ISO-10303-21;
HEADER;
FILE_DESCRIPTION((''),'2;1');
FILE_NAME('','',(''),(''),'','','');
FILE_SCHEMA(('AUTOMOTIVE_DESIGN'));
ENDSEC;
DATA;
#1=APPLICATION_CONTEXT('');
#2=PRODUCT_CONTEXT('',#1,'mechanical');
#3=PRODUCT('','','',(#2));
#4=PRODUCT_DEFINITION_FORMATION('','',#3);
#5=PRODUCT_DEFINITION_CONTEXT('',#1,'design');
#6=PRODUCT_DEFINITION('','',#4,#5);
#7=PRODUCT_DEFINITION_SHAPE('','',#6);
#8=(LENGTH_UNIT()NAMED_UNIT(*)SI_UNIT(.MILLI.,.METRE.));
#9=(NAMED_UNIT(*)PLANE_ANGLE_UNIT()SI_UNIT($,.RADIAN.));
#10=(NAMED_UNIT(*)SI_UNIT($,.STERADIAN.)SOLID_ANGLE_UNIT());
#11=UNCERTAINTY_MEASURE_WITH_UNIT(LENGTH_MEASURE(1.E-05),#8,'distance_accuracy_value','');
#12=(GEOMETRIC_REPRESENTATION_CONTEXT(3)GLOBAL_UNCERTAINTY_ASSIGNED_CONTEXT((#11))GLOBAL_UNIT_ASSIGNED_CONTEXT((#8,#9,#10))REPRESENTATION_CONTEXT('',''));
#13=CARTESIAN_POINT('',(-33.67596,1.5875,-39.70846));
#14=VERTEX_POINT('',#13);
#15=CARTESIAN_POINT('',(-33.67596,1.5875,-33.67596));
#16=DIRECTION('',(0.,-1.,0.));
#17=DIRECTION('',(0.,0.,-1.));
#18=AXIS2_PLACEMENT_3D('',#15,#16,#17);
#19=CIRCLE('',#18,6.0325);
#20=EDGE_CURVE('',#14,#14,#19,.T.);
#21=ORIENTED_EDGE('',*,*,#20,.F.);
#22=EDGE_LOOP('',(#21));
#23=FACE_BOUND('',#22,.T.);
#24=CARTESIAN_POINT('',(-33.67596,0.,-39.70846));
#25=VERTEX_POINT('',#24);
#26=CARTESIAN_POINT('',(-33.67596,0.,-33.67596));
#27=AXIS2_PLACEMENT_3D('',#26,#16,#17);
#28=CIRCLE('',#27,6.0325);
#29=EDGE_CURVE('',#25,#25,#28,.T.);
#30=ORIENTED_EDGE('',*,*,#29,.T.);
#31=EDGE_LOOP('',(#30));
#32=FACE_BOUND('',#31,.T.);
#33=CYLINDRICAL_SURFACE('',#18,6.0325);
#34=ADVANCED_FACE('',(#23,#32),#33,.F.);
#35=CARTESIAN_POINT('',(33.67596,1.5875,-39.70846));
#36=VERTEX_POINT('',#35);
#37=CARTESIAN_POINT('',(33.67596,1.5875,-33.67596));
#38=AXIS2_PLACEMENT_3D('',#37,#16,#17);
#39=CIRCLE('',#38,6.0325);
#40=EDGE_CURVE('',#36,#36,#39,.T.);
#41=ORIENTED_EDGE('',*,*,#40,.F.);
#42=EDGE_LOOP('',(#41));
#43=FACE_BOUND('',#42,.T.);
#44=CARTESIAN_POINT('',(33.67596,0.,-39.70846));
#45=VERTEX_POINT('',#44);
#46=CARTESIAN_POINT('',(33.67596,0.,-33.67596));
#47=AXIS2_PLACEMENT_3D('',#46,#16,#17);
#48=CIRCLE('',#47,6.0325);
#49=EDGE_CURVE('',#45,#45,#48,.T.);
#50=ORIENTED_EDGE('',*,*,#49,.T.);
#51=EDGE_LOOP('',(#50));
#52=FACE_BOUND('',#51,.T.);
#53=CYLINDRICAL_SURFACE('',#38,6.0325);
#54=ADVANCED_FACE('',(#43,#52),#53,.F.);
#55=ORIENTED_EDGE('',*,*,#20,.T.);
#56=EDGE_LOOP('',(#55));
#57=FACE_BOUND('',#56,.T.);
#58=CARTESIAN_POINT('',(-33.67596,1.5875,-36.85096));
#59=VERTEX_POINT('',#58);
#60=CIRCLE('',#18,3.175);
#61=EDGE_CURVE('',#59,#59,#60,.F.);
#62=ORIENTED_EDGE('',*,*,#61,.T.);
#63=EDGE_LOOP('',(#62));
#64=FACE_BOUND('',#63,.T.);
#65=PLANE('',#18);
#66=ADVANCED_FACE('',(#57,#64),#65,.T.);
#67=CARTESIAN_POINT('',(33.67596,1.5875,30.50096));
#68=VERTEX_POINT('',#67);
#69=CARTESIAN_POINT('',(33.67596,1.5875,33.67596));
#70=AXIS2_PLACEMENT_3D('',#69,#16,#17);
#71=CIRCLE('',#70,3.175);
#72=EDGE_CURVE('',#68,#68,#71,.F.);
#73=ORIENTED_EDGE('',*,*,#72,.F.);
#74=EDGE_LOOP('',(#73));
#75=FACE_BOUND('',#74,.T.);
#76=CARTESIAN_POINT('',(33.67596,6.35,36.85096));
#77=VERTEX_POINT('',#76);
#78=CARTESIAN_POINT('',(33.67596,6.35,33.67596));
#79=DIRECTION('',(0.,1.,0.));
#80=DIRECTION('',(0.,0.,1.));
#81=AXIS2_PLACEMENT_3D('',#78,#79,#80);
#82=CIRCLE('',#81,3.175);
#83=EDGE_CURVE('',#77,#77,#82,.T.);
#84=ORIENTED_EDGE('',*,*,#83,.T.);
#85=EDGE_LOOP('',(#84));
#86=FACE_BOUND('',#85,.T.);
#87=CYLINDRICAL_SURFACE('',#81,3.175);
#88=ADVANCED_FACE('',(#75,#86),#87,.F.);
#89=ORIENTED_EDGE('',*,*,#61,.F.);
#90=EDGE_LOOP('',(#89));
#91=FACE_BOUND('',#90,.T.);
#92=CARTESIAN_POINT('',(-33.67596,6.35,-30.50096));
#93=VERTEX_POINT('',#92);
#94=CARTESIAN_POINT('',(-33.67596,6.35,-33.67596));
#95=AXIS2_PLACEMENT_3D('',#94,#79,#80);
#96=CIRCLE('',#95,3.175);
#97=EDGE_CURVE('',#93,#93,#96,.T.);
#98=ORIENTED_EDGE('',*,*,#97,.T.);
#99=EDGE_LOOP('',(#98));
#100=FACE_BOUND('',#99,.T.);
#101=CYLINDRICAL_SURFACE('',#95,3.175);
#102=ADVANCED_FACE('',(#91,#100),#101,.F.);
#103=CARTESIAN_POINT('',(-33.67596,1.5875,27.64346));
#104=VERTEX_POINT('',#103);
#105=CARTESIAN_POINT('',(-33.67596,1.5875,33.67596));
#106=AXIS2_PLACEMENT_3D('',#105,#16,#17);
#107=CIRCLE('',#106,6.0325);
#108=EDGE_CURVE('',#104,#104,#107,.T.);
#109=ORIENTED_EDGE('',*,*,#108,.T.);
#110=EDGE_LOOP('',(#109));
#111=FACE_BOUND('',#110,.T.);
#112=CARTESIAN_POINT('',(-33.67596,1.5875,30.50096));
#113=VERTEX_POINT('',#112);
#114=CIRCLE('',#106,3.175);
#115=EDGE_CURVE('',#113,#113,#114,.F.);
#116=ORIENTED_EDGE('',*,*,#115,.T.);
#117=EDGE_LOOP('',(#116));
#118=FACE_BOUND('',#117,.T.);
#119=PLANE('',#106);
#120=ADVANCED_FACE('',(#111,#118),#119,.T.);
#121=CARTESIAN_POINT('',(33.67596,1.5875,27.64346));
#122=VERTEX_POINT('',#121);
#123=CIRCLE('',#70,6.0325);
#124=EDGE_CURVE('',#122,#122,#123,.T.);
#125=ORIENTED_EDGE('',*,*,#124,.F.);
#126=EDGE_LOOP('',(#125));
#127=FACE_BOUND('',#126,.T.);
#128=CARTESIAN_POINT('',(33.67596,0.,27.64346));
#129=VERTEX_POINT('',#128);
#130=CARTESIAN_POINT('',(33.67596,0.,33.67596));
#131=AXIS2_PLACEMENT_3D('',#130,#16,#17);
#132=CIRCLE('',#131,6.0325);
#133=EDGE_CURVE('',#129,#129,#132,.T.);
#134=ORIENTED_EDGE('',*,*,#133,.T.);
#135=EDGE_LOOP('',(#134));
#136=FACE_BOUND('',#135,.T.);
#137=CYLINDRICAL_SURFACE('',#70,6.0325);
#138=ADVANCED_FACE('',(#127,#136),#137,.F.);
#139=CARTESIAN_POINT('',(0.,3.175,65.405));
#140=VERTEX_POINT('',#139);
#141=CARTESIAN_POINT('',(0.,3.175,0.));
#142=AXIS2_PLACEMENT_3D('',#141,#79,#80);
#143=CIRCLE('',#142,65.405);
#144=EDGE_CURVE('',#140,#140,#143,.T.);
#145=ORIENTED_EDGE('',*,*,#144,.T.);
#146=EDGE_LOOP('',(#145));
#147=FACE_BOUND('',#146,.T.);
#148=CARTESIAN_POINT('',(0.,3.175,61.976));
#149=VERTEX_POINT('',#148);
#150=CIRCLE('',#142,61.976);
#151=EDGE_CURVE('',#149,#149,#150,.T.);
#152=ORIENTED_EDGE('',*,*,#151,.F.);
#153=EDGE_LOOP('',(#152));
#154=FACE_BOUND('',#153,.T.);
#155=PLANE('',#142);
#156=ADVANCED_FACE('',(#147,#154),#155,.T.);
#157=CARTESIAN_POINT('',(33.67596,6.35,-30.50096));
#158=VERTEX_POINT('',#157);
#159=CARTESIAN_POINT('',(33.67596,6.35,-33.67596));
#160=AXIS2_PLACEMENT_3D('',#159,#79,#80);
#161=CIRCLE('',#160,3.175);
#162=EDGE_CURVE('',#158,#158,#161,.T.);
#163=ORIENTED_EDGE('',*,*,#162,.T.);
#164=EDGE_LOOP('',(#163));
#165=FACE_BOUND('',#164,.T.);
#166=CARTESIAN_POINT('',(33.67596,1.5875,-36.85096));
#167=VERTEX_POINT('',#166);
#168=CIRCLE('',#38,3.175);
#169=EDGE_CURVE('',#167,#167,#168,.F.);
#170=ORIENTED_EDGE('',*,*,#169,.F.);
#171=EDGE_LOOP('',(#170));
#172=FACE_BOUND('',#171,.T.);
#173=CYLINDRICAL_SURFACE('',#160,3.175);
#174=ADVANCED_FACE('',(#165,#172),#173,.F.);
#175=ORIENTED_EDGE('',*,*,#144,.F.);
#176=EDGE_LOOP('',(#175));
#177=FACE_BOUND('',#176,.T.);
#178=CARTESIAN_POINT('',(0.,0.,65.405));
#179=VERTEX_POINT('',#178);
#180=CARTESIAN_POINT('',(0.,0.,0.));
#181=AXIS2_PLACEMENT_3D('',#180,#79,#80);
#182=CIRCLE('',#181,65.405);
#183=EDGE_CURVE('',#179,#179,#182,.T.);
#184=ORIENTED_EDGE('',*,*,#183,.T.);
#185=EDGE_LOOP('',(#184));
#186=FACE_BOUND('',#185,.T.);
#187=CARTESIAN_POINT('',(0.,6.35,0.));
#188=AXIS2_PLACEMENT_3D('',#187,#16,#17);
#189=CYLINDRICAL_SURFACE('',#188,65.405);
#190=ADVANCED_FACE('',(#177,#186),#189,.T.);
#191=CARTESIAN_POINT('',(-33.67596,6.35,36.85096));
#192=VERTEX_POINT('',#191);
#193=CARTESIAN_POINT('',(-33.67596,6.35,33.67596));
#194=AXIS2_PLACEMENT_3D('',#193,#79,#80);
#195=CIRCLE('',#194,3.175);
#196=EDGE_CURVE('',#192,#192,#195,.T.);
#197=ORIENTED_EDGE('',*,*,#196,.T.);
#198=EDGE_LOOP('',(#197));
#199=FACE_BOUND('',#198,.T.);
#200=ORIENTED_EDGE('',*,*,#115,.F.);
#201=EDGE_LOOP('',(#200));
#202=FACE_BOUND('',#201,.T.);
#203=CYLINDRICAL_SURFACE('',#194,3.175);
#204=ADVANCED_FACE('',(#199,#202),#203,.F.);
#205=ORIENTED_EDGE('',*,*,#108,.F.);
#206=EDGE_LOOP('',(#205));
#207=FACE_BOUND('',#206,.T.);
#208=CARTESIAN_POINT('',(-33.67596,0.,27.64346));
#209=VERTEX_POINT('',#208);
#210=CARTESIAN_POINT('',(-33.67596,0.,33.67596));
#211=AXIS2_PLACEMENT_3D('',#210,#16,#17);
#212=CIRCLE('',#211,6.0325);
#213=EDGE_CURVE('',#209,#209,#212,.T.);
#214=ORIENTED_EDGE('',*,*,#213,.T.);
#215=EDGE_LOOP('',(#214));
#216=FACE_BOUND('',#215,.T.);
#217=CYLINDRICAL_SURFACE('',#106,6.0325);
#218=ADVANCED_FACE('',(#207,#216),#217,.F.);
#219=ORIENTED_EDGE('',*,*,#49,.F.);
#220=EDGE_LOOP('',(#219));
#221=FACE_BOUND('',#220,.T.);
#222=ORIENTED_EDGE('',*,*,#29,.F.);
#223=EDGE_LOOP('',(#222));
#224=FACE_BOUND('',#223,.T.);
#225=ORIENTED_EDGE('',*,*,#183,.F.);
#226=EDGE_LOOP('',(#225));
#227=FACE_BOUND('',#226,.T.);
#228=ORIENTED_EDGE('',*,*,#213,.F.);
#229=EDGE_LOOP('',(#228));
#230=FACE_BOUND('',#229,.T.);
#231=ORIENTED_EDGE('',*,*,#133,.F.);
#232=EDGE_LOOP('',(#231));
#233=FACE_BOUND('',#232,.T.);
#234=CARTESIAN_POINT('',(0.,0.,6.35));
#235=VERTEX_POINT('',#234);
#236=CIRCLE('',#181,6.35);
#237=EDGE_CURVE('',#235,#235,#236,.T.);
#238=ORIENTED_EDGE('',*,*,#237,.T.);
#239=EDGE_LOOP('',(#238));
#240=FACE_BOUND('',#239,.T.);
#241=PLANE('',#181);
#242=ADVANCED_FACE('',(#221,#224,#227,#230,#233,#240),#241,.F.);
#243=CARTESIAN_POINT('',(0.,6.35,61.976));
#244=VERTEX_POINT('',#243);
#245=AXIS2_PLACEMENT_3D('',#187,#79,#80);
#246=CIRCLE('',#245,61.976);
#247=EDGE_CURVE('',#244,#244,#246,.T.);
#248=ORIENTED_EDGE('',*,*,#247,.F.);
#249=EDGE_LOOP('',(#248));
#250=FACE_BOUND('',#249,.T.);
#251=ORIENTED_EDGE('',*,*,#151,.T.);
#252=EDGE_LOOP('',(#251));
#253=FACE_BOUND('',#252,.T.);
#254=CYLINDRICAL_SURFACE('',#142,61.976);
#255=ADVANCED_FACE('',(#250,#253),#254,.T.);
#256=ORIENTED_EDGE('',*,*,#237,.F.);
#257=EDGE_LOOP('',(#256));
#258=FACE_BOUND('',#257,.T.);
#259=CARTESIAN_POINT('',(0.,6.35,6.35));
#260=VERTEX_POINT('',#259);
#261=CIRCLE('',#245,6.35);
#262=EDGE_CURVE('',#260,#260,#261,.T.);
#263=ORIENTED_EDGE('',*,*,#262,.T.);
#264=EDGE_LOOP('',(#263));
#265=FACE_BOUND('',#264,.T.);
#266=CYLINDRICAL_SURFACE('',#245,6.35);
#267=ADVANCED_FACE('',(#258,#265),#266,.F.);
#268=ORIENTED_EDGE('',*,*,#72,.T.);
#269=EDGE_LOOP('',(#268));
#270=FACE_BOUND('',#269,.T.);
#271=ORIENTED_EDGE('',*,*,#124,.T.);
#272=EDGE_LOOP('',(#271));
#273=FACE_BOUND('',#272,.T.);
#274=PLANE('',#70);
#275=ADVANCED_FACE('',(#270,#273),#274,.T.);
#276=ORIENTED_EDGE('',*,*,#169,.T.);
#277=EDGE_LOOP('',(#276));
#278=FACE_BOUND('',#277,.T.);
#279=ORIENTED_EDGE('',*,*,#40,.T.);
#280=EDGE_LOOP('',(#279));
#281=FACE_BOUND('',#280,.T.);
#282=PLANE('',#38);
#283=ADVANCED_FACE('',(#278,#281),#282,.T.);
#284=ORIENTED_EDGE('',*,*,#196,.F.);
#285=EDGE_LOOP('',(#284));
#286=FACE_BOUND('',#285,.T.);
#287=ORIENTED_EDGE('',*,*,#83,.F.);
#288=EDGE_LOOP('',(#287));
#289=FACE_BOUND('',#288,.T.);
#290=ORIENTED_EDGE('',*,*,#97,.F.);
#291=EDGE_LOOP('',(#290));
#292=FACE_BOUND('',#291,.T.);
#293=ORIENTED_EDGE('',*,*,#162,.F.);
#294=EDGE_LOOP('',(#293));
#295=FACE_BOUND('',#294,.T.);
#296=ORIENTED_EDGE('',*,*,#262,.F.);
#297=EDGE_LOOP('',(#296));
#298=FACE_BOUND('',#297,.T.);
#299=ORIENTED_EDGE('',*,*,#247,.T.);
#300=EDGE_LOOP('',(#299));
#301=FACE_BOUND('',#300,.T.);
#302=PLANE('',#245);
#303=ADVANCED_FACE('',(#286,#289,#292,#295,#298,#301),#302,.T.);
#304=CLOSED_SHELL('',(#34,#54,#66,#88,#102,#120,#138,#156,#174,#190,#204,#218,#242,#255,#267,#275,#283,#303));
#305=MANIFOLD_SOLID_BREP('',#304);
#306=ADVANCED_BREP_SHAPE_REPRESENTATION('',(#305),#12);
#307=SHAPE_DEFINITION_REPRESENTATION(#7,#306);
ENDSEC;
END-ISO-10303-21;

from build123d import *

# Parameters (mm, degrees)
SKETCH2_R                   = 65.405
BOSS_EXTRUDE1_DEPTH         = 6.35
SKETCH4_R                   = 65.405
SKETCH4_R_2                 = 61.976
CUT_EXTRUDE1_DEPTH          = 3.175
F_1_4_0_25_DIAMETER_HOLE1_D = 6.35
F_1_2_0_5_DIAMETER_HOLE1_D  = 12.7
SKETCH9_R                   = 6.0325
CUT_EXTRUDE2_DEPTH          = 1.5875


with BuildPart() as part:
    # Sketch2 → Boss-Extrude1 (new body)
    with BuildSketch(Plane(origin=(0, 0, 0), x_dir=(1, 0, 0), z_dir=(0, 1, 0))):
        Circle(SKETCH2_R)
    extrude(amount=BOSS_EXTRUDE1_DEPTH)

    # Sketch4 → Cut-Extrude1 (cut)
    with BuildSketch(Plane(origin=(0, 6.35, 0), x_dir=(1, 0, 0), z_dir=(0, 1, 0))):
        Circle(SKETCH4_R)
        Circle(SKETCH4_R_2, mode=Mode.SUBTRACT)
    extrude(amount=-CUT_EXTRUDE1_DEPTH, mode=Mode.SUBTRACT)

    # 1/4 (0.25) Diameter Hole1 (through all)
    with Locations(Plane(origin=(0, 6.35, 0), x_dir=(1, 0, 0), z_dir=(0, 1, 0))):
        with Locations((-33.675960454, 33.675960454), (-33.675960454, -33.675960454), (33.675960454, 33.675960454), (33.675960454, -33.675960454)):
            Hole(F_1_4_0_25_DIAMETER_HOLE1_D / 2)

    # 1/2 (0.5) Diameter Hole1 (through all)
    with Locations(Plane(origin=(0, 6.35, 0), x_dir=(1, 0, 0), z_dir=(0, 1, 0))):
        with Locations((0, 0)):
            Hole(F_1_2_0_5_DIAMETER_HOLE1_D / 2)

    # Sketch9 → Cut-Extrude2 (cut)
    with BuildSketch(Plane.XZ):
        with Locations((-33.675960454, 33.675960454)):
            Circle(SKETCH9_R)
        with Locations((33.675960454, 33.675960454)):
            Circle(SKETCH9_R)
        with Locations((33.675960454, -33.675960454)):
            Circle(SKETCH9_R)
        with Locations((-33.675960454, -33.675960454)):
            Circle(SKETCH9_R)
    extrude(amount=-CUT_EXTRUDE2_DEPTH, mode=Mode.SUBTRACT)


solid = part.part
